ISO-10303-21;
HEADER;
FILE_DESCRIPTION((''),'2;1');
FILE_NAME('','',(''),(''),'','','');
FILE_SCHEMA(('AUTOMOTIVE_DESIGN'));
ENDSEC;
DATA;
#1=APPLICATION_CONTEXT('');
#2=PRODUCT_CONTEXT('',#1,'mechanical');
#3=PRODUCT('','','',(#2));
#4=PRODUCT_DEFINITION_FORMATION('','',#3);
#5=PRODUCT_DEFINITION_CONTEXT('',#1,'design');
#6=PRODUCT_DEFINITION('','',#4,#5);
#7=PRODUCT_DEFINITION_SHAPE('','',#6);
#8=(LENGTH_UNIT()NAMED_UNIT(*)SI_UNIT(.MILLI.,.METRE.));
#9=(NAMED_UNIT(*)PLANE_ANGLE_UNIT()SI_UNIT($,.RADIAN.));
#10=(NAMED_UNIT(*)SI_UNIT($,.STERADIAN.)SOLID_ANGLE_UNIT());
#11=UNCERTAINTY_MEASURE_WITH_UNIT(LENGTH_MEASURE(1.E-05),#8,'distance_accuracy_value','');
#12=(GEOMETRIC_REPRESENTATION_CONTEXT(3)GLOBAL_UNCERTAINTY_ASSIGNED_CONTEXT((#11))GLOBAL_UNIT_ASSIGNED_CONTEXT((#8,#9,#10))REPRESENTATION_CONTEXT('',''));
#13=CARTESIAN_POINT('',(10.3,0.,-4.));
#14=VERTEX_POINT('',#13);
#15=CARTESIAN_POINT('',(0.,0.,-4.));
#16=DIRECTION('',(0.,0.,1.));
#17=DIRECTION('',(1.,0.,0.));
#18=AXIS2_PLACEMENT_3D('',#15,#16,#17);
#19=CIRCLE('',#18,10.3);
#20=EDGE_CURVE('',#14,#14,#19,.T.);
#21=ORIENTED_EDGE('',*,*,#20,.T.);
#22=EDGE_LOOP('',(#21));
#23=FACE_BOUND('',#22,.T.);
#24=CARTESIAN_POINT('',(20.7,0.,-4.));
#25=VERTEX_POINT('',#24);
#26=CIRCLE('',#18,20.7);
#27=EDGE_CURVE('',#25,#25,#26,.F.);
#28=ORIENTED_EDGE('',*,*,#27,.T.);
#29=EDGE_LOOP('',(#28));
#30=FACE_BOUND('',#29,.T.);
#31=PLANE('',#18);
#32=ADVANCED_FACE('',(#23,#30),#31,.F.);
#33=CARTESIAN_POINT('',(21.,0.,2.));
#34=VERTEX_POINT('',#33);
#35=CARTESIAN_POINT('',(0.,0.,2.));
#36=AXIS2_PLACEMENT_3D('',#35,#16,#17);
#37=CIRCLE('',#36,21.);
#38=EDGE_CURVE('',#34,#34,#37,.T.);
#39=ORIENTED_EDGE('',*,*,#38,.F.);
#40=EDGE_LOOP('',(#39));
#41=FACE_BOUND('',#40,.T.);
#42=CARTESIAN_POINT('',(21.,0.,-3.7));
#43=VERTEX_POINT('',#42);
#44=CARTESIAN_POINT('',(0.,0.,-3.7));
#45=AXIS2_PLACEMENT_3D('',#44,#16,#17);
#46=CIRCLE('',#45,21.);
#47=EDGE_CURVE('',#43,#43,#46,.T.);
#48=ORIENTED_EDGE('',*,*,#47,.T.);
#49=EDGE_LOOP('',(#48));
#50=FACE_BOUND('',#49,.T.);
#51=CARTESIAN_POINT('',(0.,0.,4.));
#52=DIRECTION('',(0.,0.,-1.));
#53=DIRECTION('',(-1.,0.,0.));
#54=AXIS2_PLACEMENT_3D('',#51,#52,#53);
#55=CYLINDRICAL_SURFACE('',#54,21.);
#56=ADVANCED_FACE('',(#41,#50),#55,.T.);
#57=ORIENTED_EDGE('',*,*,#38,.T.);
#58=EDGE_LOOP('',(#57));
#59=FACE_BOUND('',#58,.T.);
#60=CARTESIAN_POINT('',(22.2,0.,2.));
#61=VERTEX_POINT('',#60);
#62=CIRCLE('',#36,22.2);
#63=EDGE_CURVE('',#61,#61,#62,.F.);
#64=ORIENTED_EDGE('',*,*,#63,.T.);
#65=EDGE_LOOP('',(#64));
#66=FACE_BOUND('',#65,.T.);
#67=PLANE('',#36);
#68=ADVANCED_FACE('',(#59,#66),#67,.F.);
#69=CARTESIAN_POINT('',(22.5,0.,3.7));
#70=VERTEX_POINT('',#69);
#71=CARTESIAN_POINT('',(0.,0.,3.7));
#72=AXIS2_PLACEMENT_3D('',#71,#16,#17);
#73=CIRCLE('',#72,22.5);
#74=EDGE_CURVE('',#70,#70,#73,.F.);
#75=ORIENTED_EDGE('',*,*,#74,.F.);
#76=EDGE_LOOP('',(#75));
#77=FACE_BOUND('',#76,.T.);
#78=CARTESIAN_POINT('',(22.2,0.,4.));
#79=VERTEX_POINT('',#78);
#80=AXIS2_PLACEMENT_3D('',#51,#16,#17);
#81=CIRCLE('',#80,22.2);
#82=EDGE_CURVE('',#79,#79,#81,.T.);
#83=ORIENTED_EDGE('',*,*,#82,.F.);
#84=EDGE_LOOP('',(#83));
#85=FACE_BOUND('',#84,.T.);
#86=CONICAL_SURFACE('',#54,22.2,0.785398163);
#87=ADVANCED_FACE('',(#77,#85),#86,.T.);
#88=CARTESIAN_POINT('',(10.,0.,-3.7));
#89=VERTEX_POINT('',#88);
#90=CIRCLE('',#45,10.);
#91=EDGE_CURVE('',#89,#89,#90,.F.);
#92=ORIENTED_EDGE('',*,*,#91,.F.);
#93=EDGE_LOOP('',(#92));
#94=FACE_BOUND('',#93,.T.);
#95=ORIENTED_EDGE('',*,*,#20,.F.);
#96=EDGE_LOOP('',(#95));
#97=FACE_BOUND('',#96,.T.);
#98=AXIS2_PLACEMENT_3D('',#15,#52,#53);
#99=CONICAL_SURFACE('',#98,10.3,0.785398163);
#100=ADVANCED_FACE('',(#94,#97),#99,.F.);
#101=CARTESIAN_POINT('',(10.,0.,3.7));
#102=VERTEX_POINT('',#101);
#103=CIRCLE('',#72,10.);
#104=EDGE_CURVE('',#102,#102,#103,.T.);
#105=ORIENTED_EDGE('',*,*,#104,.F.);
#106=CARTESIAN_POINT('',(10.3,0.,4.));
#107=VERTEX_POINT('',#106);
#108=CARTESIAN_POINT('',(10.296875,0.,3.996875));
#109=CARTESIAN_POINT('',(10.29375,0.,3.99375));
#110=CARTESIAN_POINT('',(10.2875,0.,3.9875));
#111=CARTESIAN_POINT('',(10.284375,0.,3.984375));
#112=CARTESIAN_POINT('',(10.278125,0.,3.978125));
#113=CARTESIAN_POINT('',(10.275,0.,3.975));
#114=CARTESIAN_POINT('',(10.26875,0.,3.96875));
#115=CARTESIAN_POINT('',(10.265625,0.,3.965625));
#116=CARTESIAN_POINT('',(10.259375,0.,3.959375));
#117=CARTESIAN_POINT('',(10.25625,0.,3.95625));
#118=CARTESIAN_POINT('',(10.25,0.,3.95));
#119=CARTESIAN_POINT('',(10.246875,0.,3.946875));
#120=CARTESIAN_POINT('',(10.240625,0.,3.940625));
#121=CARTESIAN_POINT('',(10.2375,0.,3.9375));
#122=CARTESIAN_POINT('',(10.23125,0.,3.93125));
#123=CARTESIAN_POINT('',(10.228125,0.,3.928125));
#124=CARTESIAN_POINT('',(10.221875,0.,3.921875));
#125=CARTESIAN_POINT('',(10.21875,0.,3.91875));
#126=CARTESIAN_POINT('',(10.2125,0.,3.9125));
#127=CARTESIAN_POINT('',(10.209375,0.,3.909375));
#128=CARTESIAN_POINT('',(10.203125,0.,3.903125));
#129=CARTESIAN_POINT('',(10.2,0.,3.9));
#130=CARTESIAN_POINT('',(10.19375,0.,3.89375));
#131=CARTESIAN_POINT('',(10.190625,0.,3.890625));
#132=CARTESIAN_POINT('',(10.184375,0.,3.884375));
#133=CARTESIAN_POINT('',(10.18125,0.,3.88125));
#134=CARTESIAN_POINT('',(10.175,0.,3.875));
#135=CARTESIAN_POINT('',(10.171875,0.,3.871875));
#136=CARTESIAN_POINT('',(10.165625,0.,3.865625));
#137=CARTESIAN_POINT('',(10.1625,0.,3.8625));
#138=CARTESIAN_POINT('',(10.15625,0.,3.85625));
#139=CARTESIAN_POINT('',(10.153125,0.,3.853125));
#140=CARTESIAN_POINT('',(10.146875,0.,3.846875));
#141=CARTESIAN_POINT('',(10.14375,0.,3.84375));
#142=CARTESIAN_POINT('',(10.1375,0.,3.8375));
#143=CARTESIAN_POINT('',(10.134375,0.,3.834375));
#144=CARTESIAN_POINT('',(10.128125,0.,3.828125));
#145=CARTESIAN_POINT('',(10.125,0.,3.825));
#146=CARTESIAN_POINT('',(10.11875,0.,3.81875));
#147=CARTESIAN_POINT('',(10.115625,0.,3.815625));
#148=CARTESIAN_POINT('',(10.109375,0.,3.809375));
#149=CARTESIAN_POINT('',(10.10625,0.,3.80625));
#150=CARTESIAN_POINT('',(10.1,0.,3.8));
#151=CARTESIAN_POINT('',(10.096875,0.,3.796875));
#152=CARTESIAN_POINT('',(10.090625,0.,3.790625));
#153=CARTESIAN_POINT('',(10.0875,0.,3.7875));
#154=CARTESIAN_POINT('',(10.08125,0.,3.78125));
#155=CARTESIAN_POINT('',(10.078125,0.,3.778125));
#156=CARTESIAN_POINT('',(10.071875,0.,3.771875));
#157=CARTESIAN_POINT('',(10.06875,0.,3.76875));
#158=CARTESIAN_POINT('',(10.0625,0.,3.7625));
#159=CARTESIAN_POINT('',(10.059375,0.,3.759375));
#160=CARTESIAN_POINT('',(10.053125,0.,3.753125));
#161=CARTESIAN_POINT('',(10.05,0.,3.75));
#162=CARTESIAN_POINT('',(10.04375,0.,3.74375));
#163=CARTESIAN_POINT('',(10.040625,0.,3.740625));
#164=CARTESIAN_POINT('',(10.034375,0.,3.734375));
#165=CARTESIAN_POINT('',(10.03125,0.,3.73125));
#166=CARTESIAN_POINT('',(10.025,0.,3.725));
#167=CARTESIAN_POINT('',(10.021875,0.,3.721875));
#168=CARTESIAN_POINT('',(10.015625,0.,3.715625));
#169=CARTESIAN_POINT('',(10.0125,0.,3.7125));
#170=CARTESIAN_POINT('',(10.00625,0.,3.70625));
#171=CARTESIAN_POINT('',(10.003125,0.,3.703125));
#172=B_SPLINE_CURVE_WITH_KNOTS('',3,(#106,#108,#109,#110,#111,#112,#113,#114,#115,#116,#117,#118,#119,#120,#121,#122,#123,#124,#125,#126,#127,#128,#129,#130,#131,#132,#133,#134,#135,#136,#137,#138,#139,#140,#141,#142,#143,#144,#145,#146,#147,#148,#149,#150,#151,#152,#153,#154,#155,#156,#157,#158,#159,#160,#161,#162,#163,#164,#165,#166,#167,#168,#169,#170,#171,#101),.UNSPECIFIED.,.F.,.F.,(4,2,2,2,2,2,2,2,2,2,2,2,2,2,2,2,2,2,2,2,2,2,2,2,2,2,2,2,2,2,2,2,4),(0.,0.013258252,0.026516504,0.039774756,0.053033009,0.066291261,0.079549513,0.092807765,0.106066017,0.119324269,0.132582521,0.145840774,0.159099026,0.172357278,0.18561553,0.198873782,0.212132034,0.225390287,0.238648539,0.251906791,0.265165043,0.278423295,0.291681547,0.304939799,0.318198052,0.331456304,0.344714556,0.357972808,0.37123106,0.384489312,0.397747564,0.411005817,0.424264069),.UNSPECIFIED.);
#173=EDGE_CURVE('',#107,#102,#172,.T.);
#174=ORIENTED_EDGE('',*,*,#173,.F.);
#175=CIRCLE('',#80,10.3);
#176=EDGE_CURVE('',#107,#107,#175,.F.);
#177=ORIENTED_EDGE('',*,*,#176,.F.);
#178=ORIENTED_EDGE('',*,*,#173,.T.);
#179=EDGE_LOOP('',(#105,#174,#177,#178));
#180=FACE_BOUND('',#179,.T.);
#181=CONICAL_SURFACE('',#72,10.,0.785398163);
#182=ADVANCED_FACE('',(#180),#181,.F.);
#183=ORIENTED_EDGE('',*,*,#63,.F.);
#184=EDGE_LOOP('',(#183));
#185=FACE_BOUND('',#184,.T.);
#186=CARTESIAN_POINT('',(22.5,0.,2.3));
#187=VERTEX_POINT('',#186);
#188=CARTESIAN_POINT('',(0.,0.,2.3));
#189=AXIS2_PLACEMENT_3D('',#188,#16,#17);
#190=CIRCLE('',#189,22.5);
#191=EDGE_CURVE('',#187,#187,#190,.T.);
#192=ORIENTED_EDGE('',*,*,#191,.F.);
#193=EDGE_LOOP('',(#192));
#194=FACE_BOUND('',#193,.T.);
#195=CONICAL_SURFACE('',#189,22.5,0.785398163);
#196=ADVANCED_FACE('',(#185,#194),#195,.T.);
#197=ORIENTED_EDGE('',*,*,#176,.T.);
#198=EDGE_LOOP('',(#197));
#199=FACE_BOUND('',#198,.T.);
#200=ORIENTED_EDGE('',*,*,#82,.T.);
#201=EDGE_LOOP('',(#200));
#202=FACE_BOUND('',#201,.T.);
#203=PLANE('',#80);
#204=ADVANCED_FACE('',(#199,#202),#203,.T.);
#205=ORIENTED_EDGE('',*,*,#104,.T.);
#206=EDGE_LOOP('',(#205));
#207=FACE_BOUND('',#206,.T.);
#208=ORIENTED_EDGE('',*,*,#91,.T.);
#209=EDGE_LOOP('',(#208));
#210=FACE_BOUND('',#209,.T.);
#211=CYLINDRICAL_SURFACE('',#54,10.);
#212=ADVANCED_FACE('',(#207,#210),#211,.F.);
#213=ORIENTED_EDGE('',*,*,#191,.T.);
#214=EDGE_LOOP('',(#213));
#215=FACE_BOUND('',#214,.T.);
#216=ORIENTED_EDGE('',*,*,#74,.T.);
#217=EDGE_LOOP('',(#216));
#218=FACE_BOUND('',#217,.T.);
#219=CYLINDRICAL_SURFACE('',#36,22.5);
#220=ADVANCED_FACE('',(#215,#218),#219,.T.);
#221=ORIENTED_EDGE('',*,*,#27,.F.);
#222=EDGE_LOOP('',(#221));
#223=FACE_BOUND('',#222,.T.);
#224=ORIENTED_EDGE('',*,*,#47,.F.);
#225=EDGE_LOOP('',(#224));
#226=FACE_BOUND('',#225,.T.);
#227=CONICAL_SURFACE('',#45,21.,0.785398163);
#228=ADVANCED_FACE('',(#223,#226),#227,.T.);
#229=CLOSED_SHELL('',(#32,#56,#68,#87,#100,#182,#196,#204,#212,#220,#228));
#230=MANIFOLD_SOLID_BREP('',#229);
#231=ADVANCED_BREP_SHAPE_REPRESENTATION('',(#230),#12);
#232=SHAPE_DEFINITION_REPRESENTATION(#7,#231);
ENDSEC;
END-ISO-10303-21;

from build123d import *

# Parameters (mm, degrees)
SKETCH_1_R      = 21
SKETCH_1_R_2    = 10
EXTRUDE_1_DEPTH = 4
EXTRUDE_START   = -2
SKETCH_2_R      = 22.5
SKETCH_2_R_2    = 10
EXTRUDE_2_DEPTH = 2
CHAMFER_1_SIZE  = 0.3


with BuildPart() as part:
    # 草图1 → 凸台-拉伸1 (new, symmetric)
    with BuildSketch(Plane.XY):
        Circle(SKETCH_1_R)
        Circle(SKETCH_1_R_2, mode=Mode.SUBTRACT)
    extrude(amount=EXTRUDE_1_DEPTH, both=True)

    # 草图2 → 凸台-拉伸2 (add)
    with BuildSketch(Plane.XY.offset(4).offset(EXTRUDE_START)):
        Circle(SKETCH_2_R)
        Circle(SKETCH_2_R_2, mode=Mode.SUBTRACT)
    extrude(amount=EXTRUDE_2_DEPTH)

    # 倒角1
    chamfer_1_edges = [part.edges().sort_by_distance(p)[0] for p in [
        (-22.5, 0, 4),
        (-22.5, 0, 2),
        (-21, 0, -4),
        (-10, 0, -4),
        (-10, 0, 4),
    ]]
    chamfer(chamfer_1_edges, length=CHAMFER_1_SIZE)


solid = part.part
